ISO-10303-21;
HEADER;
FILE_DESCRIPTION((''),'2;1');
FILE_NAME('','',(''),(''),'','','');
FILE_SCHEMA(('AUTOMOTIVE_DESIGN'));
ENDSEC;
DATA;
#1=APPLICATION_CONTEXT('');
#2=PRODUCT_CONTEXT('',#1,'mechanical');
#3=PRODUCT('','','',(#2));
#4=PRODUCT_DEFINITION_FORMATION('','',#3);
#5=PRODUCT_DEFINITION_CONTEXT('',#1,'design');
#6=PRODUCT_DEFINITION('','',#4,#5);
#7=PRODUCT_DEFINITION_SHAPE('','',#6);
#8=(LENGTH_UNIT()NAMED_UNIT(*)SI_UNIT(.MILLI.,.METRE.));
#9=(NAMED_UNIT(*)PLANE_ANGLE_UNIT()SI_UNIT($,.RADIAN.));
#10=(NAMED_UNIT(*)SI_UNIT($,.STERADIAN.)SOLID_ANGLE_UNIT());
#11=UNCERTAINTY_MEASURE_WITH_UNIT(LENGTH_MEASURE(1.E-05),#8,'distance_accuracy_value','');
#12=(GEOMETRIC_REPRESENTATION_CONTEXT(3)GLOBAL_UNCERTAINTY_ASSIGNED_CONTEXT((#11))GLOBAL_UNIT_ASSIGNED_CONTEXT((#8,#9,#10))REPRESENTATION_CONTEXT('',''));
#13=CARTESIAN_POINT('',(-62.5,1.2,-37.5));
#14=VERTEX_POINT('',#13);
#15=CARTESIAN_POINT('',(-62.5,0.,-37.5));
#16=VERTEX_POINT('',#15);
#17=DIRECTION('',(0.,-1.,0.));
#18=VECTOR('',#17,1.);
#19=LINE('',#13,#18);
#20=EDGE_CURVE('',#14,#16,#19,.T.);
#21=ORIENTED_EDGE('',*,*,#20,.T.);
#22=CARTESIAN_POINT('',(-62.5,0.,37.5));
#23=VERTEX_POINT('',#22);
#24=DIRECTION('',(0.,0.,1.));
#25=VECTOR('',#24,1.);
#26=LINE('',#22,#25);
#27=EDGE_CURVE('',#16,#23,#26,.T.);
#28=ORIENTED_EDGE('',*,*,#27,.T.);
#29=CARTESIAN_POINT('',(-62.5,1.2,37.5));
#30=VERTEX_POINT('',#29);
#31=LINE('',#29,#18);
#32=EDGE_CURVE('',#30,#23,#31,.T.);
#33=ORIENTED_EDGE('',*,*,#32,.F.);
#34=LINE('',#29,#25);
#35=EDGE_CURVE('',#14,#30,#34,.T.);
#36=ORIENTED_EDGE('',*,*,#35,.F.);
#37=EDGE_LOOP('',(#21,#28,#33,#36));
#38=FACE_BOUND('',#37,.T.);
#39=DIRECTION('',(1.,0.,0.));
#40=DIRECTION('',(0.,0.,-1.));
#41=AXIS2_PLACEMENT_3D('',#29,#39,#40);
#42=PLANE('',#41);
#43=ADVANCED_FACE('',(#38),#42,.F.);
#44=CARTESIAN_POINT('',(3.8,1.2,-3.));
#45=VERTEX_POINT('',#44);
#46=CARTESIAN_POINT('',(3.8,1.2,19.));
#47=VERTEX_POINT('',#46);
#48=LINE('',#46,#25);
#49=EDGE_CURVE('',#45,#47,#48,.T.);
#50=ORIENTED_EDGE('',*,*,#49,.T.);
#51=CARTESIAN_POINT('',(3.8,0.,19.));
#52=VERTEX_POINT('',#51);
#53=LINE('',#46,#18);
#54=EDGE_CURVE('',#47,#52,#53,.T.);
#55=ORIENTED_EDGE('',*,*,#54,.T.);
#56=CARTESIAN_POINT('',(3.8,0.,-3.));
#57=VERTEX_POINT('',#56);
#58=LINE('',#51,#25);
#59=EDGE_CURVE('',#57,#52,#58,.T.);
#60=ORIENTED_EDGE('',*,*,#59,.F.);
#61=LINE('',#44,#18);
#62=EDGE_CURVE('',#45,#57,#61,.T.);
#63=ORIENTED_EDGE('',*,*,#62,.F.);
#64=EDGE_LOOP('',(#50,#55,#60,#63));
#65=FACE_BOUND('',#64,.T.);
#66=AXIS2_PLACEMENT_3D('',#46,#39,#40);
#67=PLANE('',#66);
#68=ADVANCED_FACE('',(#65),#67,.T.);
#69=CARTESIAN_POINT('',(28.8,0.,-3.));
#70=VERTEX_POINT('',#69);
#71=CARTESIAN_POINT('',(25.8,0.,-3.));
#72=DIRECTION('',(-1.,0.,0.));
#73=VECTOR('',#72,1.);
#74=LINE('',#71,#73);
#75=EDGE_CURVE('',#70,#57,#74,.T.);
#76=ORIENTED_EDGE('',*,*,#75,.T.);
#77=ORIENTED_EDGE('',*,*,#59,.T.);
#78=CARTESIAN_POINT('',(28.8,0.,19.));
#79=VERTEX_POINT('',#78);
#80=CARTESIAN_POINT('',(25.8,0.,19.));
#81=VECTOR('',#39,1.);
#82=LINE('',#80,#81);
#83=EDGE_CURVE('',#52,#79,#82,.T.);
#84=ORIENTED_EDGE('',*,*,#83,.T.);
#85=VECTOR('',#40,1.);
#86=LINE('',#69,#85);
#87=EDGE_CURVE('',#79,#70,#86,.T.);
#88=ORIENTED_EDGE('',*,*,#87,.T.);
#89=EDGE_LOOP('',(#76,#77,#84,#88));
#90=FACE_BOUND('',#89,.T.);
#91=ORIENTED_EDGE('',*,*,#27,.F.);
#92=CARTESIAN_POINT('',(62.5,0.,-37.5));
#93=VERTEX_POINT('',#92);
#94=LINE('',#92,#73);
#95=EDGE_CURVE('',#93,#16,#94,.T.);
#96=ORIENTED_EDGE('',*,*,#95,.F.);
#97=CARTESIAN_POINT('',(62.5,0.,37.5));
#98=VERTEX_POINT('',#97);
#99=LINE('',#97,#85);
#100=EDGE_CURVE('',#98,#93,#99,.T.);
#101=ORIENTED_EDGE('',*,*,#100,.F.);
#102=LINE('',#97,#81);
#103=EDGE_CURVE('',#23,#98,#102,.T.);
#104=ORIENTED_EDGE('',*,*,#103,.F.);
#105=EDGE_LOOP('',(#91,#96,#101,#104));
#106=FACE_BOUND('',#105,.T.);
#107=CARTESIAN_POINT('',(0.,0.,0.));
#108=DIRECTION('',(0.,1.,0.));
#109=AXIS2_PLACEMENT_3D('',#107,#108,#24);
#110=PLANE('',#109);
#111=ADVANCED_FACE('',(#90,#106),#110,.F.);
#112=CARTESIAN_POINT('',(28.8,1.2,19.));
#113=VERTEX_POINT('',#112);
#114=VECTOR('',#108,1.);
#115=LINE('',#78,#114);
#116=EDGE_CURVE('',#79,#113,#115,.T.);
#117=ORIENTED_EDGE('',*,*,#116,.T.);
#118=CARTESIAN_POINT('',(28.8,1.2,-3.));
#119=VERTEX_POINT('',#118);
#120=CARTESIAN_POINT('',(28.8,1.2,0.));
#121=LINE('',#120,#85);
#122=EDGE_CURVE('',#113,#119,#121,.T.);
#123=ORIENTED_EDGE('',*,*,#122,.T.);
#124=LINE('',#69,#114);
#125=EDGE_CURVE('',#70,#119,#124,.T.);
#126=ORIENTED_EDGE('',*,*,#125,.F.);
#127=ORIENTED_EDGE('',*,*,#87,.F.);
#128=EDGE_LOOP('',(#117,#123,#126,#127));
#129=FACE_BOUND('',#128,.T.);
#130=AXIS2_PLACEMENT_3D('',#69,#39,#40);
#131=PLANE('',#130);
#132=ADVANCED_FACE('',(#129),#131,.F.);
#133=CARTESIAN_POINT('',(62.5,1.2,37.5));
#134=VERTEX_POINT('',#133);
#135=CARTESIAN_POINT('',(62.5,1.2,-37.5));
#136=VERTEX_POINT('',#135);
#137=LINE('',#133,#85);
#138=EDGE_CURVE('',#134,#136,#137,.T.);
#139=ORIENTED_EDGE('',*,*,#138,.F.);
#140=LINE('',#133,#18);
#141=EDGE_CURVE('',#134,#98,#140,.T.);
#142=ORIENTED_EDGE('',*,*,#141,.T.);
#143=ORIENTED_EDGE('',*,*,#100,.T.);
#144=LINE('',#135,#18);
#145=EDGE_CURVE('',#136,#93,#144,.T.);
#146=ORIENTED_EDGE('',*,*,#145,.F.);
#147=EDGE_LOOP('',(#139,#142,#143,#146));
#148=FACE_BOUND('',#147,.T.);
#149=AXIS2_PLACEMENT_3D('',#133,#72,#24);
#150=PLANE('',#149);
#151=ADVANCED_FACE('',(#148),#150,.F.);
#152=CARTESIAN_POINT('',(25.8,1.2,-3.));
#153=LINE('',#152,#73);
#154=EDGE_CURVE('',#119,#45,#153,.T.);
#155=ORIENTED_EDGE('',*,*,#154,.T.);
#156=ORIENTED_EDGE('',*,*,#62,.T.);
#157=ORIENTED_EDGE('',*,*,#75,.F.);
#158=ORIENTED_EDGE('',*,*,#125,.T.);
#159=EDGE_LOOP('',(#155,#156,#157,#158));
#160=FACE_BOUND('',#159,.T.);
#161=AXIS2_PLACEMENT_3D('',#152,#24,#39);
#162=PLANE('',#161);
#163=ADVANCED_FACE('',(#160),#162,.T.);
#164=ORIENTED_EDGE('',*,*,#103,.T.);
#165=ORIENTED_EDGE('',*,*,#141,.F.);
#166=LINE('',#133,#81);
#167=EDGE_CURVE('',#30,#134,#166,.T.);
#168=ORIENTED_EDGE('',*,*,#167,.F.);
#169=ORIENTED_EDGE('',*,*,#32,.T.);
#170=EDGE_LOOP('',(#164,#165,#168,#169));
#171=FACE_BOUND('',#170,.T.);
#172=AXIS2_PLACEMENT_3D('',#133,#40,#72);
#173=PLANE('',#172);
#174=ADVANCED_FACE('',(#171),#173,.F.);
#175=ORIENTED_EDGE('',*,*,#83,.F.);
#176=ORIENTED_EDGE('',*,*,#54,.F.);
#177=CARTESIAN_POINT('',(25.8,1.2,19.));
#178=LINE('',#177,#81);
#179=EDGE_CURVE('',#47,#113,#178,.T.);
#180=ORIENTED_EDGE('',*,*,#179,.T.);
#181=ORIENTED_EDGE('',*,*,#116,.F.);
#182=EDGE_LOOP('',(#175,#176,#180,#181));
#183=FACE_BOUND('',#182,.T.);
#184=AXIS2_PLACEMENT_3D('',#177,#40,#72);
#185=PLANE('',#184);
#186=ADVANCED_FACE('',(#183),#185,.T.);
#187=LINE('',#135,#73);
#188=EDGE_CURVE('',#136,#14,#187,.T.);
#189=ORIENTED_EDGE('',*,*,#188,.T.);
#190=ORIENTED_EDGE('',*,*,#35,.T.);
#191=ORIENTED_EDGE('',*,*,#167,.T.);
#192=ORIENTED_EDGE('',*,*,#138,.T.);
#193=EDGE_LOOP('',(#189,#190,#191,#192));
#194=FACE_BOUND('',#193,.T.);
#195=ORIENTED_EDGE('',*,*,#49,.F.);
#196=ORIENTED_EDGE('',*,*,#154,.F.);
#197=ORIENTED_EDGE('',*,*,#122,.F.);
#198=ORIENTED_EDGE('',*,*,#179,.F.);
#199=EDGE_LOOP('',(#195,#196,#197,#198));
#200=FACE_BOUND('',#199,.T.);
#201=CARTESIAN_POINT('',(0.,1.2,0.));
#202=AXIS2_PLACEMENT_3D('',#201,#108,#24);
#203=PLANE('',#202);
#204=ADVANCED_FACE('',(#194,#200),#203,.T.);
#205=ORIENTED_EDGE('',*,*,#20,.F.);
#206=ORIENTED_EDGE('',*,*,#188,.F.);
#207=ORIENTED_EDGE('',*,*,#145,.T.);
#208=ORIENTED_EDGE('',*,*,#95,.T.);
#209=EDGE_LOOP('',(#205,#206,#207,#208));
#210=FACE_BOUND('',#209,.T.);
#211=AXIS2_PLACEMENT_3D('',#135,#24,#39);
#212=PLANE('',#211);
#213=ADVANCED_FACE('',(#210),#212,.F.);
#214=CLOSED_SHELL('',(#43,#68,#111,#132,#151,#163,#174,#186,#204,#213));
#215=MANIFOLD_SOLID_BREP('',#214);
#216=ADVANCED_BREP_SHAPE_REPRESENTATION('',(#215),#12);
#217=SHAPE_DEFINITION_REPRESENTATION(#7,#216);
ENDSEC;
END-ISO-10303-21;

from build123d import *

# Parameters (mm, degrees)
SKETCH1_W               = 125
SKETCH1_H               = 75
SKETCH1_W_2             = 22
SKETCH1_H_2             = 22
BOSS_EXTRUDE1_DEPTH     = 1.2
SKETCH2_W               = 3
SKETCH2_H               = 22
CUT_EXTRUDE1_DEPTH      = 1
CUT_EXTRUDE1_DEPTH_BACK = 2.2


with BuildPart() as part:
    # Sketch1 → Boss-Extrude1 (new body)
    with BuildSketch(Plane(origin=(0, 0, 0), x_dir=(1, 0, 0), z_dir=(0, 1, 0))):
        Rectangle(SKETCH1_W, SKETCH1_H)
        with Locations((14.8, -8)):
            Rectangle(SKETCH1_W_2, SKETCH1_H_2, mode=Mode.SUBTRACT)
    extrude(amount=BOSS_EXTRUDE1_DEPTH)

    # Sketch2 → Cut-Extrude1 (cut, two sides)
    with BuildSketch(Plane(origin=(0, 1.2, 0), x_dir=(1, 0, 0), z_dir=(0, 1, 0))) as cut_extrude1_sk:
        with Locations((27.3, -8)):
            Rectangle(SKETCH2_W, SKETCH2_H)
    extrude(amount=CUT_EXTRUDE1_DEPTH, mode=Mode.SUBTRACT)
    extrude(cut_extrude1_sk.sketch, amount=-CUT_EXTRUDE1_DEPTH_BACK, mode=Mode.SUBTRACT)


solid = part.part
